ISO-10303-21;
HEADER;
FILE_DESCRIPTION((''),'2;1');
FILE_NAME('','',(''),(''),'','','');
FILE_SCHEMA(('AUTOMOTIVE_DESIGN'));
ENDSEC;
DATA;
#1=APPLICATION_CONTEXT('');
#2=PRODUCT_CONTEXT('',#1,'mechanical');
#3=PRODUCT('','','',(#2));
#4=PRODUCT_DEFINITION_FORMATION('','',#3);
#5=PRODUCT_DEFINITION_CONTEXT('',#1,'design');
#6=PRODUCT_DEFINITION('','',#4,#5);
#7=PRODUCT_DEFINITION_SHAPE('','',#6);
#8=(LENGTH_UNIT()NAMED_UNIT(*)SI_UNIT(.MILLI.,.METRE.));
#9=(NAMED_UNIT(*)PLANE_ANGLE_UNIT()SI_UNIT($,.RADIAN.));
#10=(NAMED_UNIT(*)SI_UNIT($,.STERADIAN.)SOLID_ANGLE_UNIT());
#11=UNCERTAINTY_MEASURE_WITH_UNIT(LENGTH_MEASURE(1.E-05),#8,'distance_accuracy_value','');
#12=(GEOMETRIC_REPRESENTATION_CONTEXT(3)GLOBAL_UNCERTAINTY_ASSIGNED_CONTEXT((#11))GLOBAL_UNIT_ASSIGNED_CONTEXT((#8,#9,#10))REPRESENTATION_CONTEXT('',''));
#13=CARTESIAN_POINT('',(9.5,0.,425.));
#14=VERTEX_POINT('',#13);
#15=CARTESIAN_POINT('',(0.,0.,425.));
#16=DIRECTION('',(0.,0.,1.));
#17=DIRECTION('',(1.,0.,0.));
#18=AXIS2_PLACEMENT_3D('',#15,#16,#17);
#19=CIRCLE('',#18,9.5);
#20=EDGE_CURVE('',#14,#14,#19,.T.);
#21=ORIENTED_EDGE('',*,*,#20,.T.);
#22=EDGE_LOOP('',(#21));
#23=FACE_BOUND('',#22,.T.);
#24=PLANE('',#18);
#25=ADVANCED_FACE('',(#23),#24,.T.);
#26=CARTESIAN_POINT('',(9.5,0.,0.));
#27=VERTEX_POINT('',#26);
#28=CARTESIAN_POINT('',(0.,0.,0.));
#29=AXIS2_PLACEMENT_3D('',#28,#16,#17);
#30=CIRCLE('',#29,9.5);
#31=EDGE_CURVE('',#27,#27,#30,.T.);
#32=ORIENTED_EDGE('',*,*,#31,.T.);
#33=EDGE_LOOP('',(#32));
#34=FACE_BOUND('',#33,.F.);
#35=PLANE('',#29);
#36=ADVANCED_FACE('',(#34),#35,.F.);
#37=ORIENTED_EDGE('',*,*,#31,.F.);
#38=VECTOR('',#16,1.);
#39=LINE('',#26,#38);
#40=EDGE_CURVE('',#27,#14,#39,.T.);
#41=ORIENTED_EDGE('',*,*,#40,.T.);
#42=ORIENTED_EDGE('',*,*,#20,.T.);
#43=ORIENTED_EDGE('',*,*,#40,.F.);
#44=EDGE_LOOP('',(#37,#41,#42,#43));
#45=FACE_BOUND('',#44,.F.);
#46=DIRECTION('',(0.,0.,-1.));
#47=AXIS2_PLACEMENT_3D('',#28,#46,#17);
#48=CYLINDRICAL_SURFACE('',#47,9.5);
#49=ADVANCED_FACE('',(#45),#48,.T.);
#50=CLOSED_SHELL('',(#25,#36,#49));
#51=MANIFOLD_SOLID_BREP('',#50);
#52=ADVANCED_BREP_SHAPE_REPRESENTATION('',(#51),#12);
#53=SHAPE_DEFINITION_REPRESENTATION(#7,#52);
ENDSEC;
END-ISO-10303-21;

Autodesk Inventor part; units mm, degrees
ref_plane "YZ Plane" through (0, 0, 0) normal (1, 0, 0) x (0, 1, 0)
ref_plane "XZ Plane" through (0, 0, 0) normal (0, 1, 0) x (-1, 0, 0)
ref_plane "XY Plane" through (0, 0, 0) normal (0, 0, 1) x (1, 0, 0)
sketch "Sketch1" plane through (0, 0, 0) normal (0, 0, 1) x (1, 0, 0)
  circle A0 centre (0, 0) radius 9.5
  dimension "d0" = 19
extrude "Extrusion1" add sketch "Sketch1" along normal blind 425
properties part number "Barra-garfo" material "Aluminium AW-7020"
